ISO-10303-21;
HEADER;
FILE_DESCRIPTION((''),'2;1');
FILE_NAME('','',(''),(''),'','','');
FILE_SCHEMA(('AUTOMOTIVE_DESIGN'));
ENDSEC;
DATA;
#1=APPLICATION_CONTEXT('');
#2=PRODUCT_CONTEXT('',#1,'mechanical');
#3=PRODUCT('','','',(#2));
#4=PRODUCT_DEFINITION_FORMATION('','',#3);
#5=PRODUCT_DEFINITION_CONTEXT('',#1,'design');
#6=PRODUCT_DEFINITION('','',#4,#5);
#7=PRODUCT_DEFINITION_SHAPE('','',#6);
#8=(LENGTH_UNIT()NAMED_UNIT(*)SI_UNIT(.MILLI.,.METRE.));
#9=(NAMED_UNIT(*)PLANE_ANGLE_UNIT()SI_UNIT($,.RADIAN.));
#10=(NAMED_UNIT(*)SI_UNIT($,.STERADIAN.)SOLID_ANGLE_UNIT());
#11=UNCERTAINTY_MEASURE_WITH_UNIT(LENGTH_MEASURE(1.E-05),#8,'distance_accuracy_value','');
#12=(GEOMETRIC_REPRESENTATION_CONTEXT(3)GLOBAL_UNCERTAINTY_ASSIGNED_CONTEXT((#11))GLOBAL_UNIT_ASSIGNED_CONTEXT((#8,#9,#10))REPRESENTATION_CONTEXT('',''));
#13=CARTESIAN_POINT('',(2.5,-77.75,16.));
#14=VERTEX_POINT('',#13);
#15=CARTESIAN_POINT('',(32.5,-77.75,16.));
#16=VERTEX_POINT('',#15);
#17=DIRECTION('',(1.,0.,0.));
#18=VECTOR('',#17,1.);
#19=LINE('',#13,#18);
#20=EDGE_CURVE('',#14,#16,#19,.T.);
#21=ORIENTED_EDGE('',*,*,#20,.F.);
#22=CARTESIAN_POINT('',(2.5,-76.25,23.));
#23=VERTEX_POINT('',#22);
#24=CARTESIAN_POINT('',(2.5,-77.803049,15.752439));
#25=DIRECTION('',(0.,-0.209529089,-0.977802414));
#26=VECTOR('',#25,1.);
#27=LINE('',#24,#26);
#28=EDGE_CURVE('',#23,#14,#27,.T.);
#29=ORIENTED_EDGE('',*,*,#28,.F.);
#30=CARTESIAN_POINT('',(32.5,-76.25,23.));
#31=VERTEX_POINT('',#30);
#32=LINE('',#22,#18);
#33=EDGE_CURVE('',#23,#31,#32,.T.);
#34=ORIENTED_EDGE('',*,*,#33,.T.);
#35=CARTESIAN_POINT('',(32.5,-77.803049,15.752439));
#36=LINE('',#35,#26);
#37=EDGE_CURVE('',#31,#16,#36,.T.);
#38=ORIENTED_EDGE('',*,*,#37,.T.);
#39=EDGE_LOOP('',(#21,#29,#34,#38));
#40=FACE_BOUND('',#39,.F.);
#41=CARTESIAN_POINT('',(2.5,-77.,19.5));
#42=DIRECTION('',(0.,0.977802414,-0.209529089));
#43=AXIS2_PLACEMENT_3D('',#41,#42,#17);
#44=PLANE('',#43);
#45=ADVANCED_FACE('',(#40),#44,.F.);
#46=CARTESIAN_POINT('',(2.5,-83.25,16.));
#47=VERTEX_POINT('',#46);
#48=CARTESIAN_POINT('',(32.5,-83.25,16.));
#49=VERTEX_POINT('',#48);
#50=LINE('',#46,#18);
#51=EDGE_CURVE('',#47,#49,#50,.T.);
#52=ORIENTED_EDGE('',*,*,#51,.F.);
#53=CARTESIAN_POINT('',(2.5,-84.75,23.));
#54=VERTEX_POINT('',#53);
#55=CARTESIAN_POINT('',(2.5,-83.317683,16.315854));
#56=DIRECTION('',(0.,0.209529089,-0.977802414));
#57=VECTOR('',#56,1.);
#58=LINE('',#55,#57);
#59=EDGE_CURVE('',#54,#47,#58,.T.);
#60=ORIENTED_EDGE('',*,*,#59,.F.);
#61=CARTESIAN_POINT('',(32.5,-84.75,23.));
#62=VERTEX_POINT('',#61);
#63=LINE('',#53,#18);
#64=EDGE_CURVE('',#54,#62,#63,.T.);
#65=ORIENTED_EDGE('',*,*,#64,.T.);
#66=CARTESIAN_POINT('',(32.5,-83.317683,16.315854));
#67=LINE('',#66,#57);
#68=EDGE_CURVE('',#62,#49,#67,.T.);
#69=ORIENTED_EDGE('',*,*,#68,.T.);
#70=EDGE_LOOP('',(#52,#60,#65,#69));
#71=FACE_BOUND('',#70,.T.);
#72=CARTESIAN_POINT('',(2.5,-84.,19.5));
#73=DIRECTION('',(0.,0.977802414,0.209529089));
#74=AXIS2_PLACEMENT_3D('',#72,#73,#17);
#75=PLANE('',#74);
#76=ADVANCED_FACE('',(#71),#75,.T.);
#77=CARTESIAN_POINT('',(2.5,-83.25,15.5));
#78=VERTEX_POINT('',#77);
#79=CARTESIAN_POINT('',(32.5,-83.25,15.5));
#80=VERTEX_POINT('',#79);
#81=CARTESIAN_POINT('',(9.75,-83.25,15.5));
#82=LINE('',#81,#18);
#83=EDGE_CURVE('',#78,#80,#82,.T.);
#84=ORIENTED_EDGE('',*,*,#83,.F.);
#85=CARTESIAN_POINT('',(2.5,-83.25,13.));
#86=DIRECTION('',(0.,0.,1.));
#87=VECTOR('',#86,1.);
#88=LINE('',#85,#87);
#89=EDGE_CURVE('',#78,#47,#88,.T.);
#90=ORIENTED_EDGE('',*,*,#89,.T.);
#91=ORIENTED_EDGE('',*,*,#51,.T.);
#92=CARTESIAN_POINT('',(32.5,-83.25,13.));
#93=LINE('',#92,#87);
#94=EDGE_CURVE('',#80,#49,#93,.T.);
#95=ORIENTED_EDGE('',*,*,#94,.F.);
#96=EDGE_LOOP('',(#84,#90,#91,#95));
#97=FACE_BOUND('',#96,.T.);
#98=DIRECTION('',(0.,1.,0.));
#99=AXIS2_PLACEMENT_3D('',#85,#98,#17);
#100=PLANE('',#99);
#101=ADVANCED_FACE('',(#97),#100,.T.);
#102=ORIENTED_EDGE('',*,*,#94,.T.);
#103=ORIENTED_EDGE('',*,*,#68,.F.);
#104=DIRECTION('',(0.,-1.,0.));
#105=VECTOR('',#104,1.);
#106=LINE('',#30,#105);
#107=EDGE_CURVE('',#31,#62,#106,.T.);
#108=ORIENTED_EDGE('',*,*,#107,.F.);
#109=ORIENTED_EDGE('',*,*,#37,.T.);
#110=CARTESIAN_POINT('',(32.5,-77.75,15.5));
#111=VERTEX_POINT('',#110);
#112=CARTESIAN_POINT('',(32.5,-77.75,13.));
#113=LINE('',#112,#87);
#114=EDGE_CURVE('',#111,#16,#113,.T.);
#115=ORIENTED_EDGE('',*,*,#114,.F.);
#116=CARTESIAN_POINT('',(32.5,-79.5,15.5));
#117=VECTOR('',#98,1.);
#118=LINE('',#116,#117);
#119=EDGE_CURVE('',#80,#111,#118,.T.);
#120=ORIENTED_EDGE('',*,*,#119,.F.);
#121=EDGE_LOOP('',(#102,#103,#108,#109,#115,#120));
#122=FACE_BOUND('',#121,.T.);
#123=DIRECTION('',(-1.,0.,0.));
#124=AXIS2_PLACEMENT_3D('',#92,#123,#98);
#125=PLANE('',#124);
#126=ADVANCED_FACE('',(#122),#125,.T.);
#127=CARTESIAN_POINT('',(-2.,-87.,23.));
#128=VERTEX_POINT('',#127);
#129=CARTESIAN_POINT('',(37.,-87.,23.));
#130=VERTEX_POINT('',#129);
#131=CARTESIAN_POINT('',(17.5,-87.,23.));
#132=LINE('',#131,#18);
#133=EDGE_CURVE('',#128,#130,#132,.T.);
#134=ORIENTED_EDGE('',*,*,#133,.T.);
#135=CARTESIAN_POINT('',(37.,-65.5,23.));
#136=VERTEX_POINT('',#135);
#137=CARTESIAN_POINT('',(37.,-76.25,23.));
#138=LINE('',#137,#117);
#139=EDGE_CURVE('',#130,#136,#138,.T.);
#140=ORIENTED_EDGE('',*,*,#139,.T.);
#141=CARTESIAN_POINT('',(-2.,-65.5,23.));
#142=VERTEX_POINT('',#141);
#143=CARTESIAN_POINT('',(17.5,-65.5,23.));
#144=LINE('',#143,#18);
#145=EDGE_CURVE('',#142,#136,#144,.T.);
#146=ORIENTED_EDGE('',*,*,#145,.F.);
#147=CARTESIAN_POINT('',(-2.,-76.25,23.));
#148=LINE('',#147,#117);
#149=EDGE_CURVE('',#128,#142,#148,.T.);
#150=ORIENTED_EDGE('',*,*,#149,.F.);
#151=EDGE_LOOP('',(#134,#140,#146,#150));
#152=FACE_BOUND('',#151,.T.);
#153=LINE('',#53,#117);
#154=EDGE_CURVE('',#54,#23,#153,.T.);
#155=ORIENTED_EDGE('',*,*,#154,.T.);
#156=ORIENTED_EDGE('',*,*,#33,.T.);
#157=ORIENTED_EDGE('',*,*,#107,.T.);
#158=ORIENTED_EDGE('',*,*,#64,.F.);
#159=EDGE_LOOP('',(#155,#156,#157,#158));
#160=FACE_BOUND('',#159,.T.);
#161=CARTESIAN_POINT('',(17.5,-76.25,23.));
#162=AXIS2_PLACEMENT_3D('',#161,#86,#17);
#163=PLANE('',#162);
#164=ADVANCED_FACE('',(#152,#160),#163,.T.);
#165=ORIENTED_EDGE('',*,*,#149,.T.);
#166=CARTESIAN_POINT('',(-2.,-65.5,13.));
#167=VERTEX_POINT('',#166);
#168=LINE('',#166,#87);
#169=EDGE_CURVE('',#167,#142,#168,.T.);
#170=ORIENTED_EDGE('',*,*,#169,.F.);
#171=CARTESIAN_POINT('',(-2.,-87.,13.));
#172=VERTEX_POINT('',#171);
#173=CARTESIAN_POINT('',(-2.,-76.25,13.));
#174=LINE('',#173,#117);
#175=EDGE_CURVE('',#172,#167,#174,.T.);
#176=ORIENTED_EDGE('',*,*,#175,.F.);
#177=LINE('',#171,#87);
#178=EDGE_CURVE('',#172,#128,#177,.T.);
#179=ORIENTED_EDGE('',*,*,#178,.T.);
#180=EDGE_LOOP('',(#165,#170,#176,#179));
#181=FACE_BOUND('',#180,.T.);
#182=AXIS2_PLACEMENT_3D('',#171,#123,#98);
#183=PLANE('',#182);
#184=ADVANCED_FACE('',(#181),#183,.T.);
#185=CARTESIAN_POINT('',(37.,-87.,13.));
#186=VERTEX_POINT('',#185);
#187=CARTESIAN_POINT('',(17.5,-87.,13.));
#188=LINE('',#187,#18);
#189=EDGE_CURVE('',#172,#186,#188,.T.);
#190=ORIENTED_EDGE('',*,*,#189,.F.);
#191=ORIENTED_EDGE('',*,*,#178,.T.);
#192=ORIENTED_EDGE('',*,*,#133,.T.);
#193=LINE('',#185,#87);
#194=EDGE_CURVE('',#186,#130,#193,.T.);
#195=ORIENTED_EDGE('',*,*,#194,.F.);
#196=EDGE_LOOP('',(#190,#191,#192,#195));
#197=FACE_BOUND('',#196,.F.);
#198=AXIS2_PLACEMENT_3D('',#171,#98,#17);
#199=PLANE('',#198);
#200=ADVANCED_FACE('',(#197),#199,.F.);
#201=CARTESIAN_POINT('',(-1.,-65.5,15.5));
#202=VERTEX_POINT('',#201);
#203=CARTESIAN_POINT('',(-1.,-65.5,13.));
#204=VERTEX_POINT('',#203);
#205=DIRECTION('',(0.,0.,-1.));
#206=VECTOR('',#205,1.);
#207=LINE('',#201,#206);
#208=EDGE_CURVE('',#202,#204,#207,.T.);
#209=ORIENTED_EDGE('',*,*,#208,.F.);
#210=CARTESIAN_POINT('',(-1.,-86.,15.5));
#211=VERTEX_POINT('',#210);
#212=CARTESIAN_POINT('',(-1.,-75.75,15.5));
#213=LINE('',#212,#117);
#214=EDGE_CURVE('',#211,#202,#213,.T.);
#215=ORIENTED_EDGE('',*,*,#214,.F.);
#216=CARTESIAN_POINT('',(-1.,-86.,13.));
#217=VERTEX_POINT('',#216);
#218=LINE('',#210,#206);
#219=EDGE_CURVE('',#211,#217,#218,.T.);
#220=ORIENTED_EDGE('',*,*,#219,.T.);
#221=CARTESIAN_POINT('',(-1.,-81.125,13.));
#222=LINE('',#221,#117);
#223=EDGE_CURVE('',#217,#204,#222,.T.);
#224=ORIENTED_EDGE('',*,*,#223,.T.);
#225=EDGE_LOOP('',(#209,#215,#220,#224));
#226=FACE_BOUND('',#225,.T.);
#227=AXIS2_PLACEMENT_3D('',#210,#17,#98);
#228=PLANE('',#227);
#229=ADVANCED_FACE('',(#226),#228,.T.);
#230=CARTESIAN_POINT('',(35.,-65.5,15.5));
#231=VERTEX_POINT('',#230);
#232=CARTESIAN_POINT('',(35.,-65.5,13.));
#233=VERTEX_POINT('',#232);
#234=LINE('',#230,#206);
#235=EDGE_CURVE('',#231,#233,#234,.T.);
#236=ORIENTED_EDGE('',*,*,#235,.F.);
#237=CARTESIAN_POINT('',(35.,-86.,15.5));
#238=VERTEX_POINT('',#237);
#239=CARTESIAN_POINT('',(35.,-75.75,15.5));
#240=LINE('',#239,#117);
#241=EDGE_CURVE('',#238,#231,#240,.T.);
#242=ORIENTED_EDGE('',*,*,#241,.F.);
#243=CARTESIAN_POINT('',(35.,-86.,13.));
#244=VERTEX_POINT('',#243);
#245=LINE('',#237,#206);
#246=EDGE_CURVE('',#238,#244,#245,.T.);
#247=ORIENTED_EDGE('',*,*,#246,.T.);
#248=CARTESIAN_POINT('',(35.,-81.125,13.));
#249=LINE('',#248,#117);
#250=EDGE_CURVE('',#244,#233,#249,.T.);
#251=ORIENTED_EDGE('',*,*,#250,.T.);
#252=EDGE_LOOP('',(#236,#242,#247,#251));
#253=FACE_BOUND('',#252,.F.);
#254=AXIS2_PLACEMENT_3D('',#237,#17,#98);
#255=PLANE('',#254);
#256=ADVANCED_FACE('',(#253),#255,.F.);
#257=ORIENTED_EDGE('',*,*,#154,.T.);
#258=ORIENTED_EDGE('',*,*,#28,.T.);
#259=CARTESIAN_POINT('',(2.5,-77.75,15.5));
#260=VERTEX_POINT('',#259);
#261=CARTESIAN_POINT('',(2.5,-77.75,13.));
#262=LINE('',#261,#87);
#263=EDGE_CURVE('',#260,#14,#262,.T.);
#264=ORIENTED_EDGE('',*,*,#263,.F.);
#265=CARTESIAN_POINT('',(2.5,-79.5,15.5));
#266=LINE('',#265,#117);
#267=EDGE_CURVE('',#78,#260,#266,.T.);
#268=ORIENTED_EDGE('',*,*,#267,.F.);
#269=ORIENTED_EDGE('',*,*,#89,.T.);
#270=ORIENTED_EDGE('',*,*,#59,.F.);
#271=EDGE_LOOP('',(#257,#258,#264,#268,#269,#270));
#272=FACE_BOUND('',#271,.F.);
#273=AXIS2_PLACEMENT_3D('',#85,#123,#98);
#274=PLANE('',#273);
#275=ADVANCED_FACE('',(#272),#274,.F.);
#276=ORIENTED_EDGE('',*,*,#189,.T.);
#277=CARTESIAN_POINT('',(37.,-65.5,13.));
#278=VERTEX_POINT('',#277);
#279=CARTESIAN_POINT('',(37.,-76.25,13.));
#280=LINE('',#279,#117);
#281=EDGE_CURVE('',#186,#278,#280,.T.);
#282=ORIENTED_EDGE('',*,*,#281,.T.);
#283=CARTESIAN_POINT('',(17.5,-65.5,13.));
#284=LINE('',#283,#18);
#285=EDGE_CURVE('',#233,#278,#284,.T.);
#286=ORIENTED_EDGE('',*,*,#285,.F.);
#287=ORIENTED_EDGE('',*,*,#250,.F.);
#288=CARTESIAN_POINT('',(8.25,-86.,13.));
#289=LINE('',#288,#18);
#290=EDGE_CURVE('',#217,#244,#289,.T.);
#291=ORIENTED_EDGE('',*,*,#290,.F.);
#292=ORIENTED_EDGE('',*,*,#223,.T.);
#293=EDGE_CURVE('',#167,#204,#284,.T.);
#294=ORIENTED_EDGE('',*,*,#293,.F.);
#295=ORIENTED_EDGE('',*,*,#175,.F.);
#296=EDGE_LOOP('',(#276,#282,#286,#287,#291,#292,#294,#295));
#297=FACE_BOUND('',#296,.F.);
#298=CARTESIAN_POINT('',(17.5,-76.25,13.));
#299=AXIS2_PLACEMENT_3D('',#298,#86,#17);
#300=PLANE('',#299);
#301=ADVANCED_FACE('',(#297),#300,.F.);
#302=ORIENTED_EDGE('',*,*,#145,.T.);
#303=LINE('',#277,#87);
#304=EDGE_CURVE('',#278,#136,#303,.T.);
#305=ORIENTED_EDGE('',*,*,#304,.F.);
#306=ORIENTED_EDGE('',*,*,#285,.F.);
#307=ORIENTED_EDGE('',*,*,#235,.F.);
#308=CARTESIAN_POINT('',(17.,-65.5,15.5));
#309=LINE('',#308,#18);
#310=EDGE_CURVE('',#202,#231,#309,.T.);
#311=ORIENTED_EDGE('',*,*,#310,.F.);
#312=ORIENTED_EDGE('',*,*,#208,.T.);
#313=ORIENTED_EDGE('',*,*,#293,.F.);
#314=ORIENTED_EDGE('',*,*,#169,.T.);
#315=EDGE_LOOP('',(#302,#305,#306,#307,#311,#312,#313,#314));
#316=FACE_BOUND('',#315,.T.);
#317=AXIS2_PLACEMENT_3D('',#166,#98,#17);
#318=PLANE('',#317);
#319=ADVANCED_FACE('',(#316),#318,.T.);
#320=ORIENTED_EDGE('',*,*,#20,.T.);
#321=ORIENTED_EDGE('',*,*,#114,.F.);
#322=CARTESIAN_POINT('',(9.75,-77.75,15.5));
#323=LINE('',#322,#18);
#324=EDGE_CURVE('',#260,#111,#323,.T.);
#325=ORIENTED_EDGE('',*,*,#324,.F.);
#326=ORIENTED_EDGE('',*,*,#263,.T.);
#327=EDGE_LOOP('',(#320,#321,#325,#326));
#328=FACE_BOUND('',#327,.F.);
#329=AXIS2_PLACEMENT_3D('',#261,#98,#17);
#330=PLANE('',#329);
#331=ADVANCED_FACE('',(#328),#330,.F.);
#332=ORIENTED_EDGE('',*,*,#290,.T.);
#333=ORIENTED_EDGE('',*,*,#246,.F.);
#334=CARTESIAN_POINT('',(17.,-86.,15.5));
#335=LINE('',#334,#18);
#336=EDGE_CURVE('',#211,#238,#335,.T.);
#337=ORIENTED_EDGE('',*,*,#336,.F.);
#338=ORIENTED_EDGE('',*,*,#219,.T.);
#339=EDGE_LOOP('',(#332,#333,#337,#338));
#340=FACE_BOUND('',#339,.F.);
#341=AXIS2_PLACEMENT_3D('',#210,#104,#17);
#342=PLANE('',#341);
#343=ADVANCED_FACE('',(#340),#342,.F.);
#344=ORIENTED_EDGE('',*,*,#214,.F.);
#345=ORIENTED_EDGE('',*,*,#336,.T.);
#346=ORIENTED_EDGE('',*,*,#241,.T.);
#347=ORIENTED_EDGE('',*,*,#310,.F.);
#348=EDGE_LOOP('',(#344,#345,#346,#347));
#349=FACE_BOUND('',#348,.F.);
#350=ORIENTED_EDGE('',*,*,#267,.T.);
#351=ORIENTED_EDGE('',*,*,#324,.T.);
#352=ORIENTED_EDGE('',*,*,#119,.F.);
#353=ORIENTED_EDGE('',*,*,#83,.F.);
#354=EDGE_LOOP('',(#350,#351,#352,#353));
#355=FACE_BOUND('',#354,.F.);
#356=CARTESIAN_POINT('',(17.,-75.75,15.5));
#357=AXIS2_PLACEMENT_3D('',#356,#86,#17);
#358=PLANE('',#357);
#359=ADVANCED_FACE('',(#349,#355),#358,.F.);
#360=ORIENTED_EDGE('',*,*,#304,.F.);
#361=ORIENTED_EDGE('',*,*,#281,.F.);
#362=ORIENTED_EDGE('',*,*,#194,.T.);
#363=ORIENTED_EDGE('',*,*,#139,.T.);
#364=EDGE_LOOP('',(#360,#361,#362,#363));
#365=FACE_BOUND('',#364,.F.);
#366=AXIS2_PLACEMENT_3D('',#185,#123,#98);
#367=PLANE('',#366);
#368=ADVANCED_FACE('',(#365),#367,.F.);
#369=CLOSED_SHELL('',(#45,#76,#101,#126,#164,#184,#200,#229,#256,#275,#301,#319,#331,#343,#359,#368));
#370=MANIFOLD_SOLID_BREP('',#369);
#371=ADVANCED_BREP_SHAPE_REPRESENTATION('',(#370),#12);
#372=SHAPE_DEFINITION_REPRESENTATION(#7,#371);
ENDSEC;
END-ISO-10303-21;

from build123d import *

# Parameters (mm, degrees)
SKETCH003_W   = 39
SKETCH003_H   = 21.5
SKETCH003_W_2 = 30
SKETCH003_H_2 = 5.5
PAD003_DEPTH  = 10
SKETCH004_W   = 36
SKETCH004_H   = 20.5
POCKET_DEPTH  = 10
CHAMFER_SIZE2 = 7
CHAMFER_SIZE  = 1.5


with BuildPart() as part:
    # Sketch003 → Pad003 (new body)
    with BuildSketch(Plane.XY.offset(13)):
        with Locations((17.5, -76.25)):
            Rectangle(SKETCH003_W, SKETCH003_H)
        with Locations((17.5, -80.5)):
            Rectangle(SKETCH003_W_2, SKETCH003_H_2, mode=Mode.SUBTRACT)
    extrude(amount=PAD003_DEPTH)

    # Sketch004 → Pocket (cut)
    with BuildSketch(Plane.XY.offset(15.5)):
        with Locations((17, -75.75)):
            Rectangle(SKETCH004_W, SKETCH004_H)
    extrude(amount=-POCKET_DEPTH, mode=Mode.SUBTRACT)

    # Chamfer
    chamfer_edges = [part.edges().sort_by_distance(p)[0] for p in [
        (17.5, -77.75, 23),
        (17.5, -83.25, 23),
    ]]
    chamfer_side = part.faces().sort_by_distance((17.5, -75.208797, 23))[0]
    chamfer(chamfer_edges, length=CHAMFER_SIZE, length2=CHAMFER_SIZE2, reference=chamfer_side)


solid = part.part
